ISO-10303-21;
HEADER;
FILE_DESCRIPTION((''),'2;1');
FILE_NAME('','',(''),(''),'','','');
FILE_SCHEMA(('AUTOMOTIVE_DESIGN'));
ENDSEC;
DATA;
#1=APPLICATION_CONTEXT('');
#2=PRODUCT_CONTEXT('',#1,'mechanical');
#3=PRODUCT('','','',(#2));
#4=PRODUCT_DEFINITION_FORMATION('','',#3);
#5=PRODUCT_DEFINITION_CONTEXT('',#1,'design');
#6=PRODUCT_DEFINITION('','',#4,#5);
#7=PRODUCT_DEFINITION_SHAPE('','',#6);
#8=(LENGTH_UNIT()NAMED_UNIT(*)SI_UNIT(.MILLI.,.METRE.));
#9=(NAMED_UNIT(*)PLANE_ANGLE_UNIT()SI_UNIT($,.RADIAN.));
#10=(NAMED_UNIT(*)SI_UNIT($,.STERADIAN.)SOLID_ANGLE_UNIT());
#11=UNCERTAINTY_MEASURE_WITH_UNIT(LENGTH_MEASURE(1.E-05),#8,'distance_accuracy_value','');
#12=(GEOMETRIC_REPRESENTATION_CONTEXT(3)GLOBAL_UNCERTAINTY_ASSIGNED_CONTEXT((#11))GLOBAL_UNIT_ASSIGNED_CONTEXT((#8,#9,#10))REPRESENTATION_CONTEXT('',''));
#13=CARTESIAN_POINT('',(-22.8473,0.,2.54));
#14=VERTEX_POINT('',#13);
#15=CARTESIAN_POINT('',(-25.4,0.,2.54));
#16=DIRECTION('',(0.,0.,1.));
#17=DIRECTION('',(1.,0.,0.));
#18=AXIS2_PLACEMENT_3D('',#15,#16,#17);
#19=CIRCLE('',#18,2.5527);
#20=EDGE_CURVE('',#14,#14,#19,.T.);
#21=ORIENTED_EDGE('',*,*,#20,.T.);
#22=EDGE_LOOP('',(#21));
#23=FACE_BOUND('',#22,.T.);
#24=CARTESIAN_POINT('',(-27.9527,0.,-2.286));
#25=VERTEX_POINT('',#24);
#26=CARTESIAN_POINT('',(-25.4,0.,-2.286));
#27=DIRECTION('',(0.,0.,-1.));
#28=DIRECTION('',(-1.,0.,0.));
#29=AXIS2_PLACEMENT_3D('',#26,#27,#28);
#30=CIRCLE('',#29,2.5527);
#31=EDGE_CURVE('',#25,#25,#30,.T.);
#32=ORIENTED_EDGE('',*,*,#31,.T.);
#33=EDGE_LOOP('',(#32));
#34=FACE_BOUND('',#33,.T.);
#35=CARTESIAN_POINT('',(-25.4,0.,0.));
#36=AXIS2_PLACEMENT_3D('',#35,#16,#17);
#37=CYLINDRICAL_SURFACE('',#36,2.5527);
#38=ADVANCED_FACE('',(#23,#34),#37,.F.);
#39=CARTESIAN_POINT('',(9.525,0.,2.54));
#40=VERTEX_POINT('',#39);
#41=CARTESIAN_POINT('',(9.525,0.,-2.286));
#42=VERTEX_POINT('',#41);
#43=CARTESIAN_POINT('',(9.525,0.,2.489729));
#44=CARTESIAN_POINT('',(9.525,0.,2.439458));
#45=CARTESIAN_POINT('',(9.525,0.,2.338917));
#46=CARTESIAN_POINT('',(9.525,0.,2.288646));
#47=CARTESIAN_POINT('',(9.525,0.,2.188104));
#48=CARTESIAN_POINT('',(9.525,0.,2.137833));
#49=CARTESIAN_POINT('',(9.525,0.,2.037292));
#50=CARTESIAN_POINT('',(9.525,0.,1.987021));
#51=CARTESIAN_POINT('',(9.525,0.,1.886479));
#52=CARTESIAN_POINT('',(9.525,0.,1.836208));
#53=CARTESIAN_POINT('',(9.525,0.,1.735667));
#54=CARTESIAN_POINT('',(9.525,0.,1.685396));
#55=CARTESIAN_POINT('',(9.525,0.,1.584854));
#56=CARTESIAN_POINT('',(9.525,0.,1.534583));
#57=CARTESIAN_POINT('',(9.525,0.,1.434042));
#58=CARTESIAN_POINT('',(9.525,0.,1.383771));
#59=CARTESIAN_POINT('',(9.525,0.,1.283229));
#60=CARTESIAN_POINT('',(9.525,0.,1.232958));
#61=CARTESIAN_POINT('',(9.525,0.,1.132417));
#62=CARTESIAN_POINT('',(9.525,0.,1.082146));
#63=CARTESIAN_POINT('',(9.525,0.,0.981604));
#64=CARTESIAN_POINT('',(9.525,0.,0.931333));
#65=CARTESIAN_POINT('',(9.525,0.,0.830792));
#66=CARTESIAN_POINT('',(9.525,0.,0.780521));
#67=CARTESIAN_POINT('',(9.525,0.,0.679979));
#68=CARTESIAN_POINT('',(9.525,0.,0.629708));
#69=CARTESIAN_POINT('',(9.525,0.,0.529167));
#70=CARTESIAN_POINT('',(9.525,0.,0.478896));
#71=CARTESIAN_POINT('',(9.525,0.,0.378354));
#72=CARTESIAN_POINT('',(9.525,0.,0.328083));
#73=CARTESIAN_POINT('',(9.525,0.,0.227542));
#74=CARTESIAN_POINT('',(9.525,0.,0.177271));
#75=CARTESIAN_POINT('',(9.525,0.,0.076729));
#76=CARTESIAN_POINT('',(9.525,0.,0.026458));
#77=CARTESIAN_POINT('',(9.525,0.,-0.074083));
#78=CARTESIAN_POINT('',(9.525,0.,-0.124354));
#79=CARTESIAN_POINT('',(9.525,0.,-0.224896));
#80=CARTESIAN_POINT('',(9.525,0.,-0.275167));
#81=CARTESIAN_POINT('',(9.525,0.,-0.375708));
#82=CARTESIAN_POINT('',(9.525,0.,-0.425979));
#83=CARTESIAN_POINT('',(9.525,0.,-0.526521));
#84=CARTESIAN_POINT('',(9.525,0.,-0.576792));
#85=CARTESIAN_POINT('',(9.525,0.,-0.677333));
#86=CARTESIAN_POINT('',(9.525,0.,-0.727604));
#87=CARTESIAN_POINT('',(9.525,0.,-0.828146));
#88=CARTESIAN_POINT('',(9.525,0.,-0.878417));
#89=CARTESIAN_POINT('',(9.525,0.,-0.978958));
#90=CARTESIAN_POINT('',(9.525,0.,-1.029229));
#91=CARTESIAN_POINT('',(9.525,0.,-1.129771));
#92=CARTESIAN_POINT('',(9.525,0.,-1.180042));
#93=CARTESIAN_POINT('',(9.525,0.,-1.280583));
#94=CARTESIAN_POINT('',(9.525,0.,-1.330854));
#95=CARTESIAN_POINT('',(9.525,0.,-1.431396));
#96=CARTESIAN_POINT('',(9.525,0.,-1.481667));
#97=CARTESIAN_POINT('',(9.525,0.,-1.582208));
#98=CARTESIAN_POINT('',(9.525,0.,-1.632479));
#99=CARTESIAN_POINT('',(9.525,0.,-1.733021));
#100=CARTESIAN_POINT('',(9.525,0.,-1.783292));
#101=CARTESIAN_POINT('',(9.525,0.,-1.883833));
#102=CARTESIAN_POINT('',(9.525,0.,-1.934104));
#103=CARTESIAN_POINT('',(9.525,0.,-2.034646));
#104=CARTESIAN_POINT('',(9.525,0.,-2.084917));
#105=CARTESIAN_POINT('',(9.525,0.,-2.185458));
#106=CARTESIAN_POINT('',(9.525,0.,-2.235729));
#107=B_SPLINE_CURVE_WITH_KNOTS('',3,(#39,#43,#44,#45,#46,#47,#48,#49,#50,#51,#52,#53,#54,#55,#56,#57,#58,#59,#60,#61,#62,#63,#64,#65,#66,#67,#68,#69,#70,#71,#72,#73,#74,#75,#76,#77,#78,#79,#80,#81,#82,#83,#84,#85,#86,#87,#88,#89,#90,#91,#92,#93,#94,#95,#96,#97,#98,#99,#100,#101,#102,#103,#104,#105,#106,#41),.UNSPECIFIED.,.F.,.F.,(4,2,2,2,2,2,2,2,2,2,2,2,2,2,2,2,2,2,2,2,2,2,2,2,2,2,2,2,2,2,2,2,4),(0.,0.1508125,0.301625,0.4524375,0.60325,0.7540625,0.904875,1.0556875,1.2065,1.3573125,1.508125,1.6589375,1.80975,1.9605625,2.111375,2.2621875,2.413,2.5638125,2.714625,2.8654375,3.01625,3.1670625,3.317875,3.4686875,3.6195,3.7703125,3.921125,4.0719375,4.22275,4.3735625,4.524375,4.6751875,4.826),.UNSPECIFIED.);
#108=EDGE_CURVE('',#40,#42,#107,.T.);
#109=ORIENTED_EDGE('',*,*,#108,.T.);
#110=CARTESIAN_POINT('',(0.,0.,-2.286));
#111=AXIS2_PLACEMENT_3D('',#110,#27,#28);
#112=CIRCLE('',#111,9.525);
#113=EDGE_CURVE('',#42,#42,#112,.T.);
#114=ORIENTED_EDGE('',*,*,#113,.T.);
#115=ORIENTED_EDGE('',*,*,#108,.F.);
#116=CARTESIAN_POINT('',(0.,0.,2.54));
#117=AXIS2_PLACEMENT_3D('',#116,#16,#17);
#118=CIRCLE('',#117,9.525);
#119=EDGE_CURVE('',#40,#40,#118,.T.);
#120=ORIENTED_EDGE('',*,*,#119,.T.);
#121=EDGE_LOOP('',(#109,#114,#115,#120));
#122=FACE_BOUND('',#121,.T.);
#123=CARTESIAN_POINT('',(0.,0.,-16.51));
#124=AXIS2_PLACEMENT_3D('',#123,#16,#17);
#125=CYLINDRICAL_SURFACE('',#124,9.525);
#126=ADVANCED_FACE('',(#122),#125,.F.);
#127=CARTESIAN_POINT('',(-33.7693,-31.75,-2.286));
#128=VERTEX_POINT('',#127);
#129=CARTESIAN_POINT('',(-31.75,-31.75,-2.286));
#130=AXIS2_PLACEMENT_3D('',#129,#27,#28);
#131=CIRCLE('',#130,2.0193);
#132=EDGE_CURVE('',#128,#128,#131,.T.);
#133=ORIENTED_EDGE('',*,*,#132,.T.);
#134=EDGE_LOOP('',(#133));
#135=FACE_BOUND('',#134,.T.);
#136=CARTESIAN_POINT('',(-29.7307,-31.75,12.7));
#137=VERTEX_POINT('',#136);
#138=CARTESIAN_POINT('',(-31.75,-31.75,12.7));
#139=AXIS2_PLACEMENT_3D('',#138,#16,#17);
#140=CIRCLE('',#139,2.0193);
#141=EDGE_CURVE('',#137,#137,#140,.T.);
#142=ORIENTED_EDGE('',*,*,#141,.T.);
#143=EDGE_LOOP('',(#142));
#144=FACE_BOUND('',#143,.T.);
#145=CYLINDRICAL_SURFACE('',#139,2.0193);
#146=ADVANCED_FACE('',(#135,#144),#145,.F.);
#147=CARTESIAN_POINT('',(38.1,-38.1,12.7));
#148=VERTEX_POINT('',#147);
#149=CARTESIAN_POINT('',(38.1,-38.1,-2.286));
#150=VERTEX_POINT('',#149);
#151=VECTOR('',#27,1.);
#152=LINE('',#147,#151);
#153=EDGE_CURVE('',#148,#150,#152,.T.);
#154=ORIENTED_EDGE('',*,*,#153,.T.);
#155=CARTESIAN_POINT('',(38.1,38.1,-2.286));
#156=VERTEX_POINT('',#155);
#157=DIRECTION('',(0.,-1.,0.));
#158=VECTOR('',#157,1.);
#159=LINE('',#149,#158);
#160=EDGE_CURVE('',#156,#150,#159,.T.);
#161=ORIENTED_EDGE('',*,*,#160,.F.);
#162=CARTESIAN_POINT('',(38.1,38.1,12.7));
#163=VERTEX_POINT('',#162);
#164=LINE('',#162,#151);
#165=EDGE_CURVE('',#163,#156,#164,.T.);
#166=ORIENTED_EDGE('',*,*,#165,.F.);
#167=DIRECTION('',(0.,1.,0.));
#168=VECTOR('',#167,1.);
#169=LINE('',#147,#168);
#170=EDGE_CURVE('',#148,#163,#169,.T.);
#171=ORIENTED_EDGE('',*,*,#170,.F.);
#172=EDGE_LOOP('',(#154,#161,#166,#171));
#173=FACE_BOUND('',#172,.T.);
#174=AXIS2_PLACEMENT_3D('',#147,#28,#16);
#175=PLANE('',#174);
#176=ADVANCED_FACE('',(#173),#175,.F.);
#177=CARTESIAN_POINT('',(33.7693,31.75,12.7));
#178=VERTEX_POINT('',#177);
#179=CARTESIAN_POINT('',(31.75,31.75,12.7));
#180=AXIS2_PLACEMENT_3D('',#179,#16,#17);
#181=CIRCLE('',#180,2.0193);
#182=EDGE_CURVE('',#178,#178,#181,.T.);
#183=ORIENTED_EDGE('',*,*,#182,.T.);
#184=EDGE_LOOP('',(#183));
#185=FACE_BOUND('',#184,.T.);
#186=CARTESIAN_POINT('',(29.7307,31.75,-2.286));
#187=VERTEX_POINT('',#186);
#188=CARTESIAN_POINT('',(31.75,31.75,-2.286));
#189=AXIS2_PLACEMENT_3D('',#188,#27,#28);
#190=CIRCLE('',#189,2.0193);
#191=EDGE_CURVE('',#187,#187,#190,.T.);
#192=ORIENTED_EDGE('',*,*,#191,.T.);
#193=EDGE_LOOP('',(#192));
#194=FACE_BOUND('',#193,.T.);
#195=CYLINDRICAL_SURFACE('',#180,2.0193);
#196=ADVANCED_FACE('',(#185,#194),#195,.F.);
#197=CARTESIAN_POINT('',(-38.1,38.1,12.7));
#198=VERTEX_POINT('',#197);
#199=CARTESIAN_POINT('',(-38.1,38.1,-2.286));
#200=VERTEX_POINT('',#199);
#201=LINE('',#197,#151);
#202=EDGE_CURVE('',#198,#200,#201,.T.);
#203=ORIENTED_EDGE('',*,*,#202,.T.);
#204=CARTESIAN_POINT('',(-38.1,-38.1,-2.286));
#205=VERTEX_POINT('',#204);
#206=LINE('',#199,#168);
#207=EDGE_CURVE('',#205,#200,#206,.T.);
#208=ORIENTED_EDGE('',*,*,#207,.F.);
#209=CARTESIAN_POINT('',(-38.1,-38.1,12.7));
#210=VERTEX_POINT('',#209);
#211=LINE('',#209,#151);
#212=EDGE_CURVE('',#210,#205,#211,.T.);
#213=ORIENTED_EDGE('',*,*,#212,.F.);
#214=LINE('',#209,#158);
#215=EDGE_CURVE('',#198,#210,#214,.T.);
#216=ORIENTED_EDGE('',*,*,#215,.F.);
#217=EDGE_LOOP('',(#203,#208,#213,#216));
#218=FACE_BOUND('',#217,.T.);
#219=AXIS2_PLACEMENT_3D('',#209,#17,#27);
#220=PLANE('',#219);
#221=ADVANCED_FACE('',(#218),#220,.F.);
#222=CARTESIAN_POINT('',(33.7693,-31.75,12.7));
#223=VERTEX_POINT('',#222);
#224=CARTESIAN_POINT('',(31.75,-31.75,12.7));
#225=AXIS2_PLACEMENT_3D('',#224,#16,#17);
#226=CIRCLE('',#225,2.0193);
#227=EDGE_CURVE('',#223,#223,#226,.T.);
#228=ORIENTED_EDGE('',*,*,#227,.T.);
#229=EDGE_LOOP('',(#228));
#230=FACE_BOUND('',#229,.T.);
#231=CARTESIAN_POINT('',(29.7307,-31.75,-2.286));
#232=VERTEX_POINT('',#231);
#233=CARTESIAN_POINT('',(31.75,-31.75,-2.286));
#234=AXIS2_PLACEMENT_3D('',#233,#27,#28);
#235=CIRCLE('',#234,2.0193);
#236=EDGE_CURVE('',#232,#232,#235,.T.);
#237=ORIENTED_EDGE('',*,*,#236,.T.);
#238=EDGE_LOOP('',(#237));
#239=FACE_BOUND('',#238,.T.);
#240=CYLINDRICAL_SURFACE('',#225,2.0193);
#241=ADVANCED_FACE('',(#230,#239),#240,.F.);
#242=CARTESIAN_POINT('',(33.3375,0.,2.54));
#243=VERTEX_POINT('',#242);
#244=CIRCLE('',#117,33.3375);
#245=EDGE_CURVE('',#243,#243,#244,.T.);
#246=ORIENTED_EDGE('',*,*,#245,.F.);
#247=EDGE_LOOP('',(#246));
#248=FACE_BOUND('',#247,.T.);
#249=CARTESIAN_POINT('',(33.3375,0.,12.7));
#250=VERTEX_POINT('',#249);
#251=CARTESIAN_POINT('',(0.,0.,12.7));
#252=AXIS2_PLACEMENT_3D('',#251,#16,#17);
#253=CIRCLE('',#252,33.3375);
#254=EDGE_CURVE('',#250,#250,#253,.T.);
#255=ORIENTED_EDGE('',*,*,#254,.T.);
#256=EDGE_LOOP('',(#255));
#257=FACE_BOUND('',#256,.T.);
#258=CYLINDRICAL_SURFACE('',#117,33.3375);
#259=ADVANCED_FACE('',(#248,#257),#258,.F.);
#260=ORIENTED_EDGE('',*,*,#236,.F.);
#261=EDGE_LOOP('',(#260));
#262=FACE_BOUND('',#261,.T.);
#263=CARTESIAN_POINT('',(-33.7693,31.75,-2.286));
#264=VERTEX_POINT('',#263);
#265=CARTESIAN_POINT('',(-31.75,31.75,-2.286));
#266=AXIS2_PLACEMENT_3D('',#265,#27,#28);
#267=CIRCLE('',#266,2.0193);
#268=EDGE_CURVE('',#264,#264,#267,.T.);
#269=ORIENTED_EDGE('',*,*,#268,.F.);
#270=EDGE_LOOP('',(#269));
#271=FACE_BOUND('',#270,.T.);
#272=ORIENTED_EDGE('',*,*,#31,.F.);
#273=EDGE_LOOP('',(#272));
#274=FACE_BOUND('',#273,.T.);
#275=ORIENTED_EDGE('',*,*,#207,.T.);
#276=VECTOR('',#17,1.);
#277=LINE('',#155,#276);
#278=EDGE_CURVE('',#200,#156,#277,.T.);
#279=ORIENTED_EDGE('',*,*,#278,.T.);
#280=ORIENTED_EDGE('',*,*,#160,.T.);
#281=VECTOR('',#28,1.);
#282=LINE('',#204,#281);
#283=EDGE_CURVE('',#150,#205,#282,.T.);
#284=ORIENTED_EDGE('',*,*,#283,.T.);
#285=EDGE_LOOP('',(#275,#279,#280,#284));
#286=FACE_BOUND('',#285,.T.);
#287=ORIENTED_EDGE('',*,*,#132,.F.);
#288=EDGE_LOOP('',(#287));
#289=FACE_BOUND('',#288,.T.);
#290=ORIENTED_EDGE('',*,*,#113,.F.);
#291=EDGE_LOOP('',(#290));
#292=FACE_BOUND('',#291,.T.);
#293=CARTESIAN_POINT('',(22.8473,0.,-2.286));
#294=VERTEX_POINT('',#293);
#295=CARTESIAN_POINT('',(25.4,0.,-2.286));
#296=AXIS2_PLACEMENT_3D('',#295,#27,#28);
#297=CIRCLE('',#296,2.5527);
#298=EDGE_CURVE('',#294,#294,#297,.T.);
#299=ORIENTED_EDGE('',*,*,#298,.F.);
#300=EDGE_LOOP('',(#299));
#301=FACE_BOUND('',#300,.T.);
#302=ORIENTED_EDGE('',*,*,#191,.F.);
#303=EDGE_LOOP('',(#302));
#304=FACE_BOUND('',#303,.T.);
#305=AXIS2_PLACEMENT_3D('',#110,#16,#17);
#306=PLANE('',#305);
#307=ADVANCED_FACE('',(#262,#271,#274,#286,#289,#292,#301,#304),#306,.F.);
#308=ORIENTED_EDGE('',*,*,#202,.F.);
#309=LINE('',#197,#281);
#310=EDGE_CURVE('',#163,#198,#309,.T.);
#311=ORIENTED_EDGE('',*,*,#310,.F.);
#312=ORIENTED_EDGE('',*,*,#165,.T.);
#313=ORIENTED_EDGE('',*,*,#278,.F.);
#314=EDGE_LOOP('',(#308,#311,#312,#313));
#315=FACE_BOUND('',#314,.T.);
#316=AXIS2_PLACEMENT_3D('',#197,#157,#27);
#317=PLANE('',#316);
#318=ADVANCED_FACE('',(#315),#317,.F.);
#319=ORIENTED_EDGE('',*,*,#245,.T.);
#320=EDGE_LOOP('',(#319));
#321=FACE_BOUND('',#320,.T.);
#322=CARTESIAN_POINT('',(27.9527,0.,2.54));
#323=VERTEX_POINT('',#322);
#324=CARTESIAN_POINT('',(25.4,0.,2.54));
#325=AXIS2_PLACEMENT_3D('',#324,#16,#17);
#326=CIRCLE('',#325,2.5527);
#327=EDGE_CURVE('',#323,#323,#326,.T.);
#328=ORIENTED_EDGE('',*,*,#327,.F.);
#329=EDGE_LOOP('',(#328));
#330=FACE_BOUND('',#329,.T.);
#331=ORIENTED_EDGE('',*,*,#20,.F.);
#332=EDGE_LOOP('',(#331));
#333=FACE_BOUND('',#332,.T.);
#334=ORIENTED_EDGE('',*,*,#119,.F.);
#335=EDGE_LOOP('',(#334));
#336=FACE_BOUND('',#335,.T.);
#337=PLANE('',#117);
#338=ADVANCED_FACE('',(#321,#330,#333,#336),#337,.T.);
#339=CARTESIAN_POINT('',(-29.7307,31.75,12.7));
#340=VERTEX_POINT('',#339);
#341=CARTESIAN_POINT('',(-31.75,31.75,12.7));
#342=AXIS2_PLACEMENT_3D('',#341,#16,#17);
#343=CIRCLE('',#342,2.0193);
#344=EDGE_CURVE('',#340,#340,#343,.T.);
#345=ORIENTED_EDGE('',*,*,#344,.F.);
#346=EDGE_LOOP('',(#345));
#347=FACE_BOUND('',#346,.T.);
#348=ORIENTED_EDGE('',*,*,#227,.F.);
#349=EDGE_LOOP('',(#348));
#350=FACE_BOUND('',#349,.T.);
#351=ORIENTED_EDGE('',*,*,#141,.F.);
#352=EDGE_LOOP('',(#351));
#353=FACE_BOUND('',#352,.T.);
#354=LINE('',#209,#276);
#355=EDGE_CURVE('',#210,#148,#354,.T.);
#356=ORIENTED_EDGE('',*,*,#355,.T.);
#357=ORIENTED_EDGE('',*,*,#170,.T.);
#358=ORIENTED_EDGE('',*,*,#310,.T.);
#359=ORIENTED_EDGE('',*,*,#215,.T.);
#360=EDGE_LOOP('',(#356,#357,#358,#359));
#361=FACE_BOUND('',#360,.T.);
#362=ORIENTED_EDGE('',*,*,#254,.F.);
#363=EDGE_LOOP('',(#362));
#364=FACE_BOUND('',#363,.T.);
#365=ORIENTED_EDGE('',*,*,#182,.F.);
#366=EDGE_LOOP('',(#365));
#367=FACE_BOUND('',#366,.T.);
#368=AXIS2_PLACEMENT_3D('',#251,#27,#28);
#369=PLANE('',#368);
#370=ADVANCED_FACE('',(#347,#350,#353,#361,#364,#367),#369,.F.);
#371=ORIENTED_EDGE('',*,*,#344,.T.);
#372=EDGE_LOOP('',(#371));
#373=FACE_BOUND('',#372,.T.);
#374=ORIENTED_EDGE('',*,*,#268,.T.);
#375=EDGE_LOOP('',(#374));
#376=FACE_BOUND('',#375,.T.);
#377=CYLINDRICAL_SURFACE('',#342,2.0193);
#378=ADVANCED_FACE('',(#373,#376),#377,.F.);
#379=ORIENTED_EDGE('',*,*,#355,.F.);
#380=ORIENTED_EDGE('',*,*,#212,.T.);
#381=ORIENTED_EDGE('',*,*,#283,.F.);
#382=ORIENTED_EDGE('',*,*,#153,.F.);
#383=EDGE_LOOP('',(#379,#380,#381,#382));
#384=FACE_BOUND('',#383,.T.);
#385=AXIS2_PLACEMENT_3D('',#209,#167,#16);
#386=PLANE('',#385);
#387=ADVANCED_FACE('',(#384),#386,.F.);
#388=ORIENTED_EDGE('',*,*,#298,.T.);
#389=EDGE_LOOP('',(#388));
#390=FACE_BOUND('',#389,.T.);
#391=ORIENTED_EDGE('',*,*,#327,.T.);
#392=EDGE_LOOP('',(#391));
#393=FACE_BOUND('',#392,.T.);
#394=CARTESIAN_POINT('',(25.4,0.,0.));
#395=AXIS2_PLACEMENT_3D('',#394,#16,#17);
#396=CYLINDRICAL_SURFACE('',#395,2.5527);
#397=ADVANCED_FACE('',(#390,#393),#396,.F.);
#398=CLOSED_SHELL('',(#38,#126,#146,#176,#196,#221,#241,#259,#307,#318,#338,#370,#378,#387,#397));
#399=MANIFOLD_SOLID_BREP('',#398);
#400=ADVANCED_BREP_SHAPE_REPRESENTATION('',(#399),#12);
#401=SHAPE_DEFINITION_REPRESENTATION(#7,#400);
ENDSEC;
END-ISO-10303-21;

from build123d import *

# Parameters (mm, degrees)
SKETCH1_W               = 76.2
SKETCH1_H               = 76.2
BOSS_EXTRUDE1_DEPTH     = 12.7
SKETCH2_R               = 33.3375
CUT_EXTRUDE1_DEPTH      = 10.16
SKETCH3_R               = 9.525
CUT_EXTRUDE2_DEPTH      = 19.05
CUT_EXTRUDE3_DEPTH      = 55.831064188
CUT_EXTRUDE3_DEPTH_BACK = 55.831064188
SKETCH4_R               = 1.27
SKETCH4_R_2             = 2.5527
F_10_32_TAPPED_HOLE1_D  = 4.0386
BOSS_EXTRUDE2_START     = 2.286
SKETCH7_W               = 76.2
SKETCH7_H               = 76.2
SKETCH7_R               = 2.5527
SKETCH7_R_2             = 2.0193
SKETCH7_R_3             = 9.525
BOSS_EXTRUDE2_DEPTH     = 2.286


with BuildPart() as part:
    # Sketch1 → Boss-Extrude1 (new body)
    with BuildSketch(Plane.XY):
        Rectangle(SKETCH1_W, SKETCH1_H)
    extrude(amount=BOSS_EXTRUDE1_DEPTH)

    # Sketch2 → Cut-Extrude1 (cut)
    with BuildSketch(Plane.XY.offset(12.7)):
        Circle(SKETCH2_R)
    extrude(amount=-CUT_EXTRUDE1_DEPTH, mode=Mode.SUBTRACT)

    # Sketch3 → Cut-Extrude2 (cut)
    with BuildSketch(Plane.XY.offset(2.54)):
        Circle(SKETCH3_R)
    extrude(amount=-CUT_EXTRUDE2_DEPTH, mode=Mode.SUBTRACT)

    # Sketch4 → Cut-Extrude3 (cut, two sides: drawn at the far end of the back side and taken through both)
    with BuildSketch(Plane.XY.offset(2.54).offset(-CUT_EXTRUDE3_DEPTH_BACK)):
        with Locations((-31.75, 31.75)):
            Circle(SKETCH4_R)
        with Locations((31.75, 31.75)):
            Circle(SKETCH4_R)
        with Locations((31.75, -31.75)):
            Circle(SKETCH4_R)
        with Locations((-31.75, -31.75)):
            Circle(SKETCH4_R)
        with Locations((-25.4, 0)):
            Circle(SKETCH4_R_2)
        with Locations((25.4, 0)):
            Circle(SKETCH4_R_2)
    extrude(amount=CUT_EXTRUDE3_DEPTH + CUT_EXTRUDE3_DEPTH_BACK, mode=Mode.SUBTRACT)

    # #10-32 Tapped Hole1 (through all)
    with Locations(Plane.XY.offset(12.7)):
        with Locations((-31.75, 31.75), (-31.75, -31.75), (31.75, -31.75), (31.75, 31.75)):
            Hole(F_10_32_TAPPED_HOLE1_D / 2)

    # Sketch7 → Boss-Extrude2 (add)
    with BuildSketch(Plane(origin=(0, 0, 0), x_dir=(-1, 0, 0), z_dir=(0, 0, -1)).offset(BOSS_EXTRUDE2_START)):
        Rectangle(SKETCH7_W, SKETCH7_H)
        with Locations(Location((-25.4, 0, 0), (0, 0, 180))):
            Circle(SKETCH7_R, mode=Mode.SUBTRACT)
        with Locations(Location((-31.75, 31.75, 0), (0, 0, 180))):
            Circle(SKETCH7_R_2, mode=Mode.SUBTRACT)
        with Locations(Location((0, 0, 0), (0, 0, 180))):
            Circle(SKETCH7_R_3, mode=Mode.SUBTRACT)
        with Locations(Location((25.4, 0, 0), (0, 0, 180))):
            Circle(SKETCH7_R, mode=Mode.SUBTRACT)
        with Locations(Location((31.75, 31.75, 0), (0, 0, 180))):
            Circle(SKETCH7_R_2, mode=Mode.SUBTRACT)
        with Locations(Location((31.75, -31.75, 0), (0, 0, 180))):
            Circle(SKETCH7_R_2, mode=Mode.SUBTRACT)
        with Locations(Location((-31.75, -31.75, 0), (0, 0, 180))):
            Circle(SKETCH7_R_2, mode=Mode.SUBTRACT)
    extrude(amount=-BOSS_EXTRUDE2_DEPTH)


solid = part.part
